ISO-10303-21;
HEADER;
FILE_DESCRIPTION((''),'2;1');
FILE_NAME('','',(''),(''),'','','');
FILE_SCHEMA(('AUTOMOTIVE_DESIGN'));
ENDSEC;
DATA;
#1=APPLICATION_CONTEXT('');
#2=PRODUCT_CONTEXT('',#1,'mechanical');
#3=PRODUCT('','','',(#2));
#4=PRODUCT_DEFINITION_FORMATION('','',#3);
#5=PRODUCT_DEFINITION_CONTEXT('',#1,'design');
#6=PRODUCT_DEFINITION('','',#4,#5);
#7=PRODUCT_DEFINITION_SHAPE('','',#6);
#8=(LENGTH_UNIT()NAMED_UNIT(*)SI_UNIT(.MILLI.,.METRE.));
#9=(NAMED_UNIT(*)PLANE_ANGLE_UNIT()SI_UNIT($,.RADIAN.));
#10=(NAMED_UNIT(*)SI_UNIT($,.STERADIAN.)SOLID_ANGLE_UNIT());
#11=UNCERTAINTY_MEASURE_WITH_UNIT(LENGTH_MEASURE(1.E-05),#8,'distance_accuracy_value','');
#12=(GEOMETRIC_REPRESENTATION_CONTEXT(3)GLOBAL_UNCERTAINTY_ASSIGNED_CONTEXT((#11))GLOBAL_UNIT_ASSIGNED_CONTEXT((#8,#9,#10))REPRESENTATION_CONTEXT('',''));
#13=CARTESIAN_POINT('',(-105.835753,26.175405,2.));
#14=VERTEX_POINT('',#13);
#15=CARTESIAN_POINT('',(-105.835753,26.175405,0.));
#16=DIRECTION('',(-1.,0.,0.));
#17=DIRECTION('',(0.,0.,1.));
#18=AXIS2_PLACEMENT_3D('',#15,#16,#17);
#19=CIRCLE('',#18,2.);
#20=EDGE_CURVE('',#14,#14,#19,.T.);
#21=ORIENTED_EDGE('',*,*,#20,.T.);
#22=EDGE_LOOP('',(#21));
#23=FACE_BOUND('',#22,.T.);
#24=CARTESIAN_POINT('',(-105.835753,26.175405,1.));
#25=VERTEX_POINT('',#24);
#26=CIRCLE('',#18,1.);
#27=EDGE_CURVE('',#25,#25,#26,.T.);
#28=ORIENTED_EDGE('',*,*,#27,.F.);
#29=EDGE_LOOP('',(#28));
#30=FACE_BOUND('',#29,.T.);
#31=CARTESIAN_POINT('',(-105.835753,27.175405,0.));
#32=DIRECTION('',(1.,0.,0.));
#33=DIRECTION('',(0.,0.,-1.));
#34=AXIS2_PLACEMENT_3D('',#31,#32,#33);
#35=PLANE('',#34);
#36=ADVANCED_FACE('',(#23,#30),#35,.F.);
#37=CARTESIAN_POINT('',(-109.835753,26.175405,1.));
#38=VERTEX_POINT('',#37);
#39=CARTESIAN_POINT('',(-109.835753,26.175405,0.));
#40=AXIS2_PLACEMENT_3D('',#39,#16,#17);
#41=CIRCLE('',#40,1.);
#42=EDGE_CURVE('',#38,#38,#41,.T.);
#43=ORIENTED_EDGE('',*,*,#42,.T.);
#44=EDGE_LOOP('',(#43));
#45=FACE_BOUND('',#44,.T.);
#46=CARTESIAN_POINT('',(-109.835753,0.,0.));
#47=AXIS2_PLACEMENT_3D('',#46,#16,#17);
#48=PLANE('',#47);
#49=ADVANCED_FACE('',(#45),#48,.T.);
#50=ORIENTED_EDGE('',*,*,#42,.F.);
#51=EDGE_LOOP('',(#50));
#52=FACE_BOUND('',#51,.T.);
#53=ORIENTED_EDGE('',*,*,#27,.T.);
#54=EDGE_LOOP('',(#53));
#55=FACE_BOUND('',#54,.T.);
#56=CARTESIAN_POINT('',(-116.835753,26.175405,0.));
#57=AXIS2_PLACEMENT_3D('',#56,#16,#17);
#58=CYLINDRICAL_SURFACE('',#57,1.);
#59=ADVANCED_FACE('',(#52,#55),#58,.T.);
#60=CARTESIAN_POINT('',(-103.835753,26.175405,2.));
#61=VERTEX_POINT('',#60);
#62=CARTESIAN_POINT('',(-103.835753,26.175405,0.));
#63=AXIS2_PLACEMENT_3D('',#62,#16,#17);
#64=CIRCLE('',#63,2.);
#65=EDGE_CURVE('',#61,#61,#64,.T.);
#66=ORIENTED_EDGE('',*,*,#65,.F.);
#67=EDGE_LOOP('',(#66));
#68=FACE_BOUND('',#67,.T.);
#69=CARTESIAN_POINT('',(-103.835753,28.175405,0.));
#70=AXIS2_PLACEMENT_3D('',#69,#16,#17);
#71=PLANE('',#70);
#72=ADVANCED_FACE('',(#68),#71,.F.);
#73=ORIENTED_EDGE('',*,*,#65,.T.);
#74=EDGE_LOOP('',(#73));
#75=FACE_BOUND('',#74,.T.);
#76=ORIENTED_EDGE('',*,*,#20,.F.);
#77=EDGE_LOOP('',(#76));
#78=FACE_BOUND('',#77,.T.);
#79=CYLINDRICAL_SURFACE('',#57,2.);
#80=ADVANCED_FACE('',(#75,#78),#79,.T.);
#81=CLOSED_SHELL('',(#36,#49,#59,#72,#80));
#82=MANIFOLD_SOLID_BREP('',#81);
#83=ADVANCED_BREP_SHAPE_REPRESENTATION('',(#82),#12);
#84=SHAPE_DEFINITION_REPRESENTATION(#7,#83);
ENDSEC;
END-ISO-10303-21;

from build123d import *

# Parameters (mm, degrees)
SKETCH2_W          = 2.386092155
SKETCH2_H          = 2.248872797
CUT_EXTRUDE1_DEPTH = 3
SKETCH3_W          = 2.355598965
SKETCH3_H          = 2.325105774
CUT_EXTRUDE2_DEPTH = 4


with BuildPart() as part:
    # Sketch1 → Revolve1 (revolve)
    with BuildSketch(Plane.XY, mode=Mode.PRIVATE) as revolve1_sk:
        Polygon((-116.835752997, 27.175404574), (-105.835752997, 27.175404574), (-105.835752997, 28.175404574), (-103.835752997, 28.175404574), (-103.835752997, 26.175404574), (-116.835752997, 26.175404574), align=None)
    revolve(revolve1_sk.sketch.rotate(Axis((-116.835752997, 26.175404574, 0), (1, 0, 0)), 90), axis=Axis((-116.835752997, 26.175404574, 0), (1, 0, 0)))

    # Sketch2 → Cut-Extrude1 (cut)
    with BuildSketch(Plane.ZY.offset(116.835752997)):
        with Locations((0.019058245, 26.198274467)):
            Rectangle(SKETCH2_W, SKETCH2_H)
    extrude(amount=-CUT_EXTRUDE1_DEPTH, mode=Mode.SUBTRACT)

    # Sketch3 → Cut-Extrude2 (cut)
    with BuildSketch(Plane.ZY.offset(113.835752997)):
        with Locations((-0.034304839, 26.259260848)):
            Rectangle(SKETCH3_W, SKETCH3_H)
    extrude(amount=-CUT_EXTRUDE2_DEPTH, mode=Mode.SUBTRACT)


solid = part.part
